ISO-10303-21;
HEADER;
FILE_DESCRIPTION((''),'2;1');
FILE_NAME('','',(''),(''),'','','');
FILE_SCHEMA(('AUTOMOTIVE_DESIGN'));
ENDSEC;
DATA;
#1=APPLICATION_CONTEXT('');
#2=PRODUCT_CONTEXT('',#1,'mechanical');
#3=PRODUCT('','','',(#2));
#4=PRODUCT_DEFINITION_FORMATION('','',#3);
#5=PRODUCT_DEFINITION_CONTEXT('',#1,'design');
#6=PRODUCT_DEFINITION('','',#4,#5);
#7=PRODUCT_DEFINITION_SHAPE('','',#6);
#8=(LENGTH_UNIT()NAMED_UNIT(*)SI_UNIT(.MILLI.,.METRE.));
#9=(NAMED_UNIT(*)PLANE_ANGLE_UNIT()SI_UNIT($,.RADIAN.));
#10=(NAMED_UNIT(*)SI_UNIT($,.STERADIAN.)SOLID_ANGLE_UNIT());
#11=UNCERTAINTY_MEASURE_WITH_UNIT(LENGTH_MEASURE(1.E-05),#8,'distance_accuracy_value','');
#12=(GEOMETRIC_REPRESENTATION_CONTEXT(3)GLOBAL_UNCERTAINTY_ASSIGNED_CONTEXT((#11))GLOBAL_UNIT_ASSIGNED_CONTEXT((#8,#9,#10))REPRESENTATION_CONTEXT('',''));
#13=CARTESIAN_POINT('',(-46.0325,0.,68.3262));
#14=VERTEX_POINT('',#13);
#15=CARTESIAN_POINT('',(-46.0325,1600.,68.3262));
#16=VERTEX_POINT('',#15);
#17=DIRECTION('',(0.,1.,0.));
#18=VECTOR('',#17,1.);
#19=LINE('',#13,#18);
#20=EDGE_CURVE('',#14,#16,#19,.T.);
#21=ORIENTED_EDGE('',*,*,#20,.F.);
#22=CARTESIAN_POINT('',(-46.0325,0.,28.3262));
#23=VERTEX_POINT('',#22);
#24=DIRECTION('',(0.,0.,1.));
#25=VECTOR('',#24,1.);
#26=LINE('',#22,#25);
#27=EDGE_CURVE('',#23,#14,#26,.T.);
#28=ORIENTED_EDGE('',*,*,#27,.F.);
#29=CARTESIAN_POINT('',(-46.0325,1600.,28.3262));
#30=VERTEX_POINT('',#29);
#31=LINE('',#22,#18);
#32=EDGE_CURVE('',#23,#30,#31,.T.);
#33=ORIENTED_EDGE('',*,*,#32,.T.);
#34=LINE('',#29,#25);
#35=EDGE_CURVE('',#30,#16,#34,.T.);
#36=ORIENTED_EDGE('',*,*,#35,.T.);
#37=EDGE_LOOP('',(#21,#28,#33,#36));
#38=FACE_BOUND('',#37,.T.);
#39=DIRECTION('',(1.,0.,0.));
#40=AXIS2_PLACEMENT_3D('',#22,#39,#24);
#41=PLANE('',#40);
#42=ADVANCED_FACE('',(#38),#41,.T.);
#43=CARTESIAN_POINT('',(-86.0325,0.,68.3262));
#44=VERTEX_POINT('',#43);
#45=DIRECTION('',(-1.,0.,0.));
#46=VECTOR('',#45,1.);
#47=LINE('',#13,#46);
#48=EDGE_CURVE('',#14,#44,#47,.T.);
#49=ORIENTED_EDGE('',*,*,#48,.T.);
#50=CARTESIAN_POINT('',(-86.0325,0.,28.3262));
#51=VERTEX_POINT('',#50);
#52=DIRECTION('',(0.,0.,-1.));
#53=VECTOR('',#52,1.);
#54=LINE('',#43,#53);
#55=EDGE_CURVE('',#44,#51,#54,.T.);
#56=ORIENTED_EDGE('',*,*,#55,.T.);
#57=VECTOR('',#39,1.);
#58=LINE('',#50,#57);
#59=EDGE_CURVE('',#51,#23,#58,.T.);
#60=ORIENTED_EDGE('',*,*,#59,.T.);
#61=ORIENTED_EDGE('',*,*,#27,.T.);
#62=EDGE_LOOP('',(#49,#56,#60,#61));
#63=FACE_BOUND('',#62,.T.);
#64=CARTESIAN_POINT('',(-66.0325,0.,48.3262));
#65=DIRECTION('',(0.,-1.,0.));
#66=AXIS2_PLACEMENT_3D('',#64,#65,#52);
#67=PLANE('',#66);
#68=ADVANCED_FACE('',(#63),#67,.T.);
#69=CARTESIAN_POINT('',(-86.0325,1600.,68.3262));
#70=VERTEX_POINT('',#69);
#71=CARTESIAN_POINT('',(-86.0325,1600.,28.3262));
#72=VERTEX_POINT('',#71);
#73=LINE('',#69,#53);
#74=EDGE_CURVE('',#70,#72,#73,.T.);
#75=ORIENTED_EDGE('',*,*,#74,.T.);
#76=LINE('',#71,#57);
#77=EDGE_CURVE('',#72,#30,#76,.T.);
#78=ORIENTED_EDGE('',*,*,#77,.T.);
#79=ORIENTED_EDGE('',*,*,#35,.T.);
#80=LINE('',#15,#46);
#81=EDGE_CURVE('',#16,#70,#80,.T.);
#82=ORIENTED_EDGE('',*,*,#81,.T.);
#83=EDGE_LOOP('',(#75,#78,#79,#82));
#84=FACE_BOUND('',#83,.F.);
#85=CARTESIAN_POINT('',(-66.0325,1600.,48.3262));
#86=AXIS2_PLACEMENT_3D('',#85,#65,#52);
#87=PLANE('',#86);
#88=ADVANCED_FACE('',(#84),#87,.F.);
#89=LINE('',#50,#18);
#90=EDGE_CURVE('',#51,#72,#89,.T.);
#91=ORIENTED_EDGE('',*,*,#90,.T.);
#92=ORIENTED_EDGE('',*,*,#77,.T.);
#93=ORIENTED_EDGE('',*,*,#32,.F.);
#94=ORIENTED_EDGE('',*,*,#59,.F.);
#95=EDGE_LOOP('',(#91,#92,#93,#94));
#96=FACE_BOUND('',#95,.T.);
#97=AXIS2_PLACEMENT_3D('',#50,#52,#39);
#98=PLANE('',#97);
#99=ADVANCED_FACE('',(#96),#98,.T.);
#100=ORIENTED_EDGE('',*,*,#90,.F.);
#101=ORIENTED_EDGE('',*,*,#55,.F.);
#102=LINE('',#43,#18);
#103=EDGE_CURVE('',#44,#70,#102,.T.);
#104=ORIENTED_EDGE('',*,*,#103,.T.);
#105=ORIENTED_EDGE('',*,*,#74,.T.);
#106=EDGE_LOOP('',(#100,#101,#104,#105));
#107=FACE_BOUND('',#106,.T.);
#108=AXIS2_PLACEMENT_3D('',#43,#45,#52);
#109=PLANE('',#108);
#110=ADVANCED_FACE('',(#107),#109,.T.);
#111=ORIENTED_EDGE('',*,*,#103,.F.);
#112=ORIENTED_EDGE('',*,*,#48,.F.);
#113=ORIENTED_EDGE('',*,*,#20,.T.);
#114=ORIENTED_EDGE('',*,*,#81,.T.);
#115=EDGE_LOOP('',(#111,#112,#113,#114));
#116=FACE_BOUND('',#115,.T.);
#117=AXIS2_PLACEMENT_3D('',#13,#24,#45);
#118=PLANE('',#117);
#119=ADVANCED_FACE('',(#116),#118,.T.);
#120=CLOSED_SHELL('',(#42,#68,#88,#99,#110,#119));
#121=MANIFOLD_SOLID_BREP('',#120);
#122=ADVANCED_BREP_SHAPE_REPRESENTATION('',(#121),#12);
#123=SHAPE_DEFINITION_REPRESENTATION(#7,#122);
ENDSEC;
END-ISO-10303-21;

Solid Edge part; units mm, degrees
sketch "Sketch1" plane through (0, 0, 0) normal (0, -1, 0) x (1, 0, 0)
  line L0 (-86.0325, 28.3262) -> (-46.0325, 28.3262)
  line L1 (-46.0325, 28.3262) -> (-46.0325, 68.3262)
  line L2 (-46.0325, 68.3262) -> (-86.0325, 68.3262)
  line L3 (-86.0325, 68.3262) -> (-86.0325, 28.3262)
extrude "Protrusion1" add sketch "Sketch1" against normal blind 1600
